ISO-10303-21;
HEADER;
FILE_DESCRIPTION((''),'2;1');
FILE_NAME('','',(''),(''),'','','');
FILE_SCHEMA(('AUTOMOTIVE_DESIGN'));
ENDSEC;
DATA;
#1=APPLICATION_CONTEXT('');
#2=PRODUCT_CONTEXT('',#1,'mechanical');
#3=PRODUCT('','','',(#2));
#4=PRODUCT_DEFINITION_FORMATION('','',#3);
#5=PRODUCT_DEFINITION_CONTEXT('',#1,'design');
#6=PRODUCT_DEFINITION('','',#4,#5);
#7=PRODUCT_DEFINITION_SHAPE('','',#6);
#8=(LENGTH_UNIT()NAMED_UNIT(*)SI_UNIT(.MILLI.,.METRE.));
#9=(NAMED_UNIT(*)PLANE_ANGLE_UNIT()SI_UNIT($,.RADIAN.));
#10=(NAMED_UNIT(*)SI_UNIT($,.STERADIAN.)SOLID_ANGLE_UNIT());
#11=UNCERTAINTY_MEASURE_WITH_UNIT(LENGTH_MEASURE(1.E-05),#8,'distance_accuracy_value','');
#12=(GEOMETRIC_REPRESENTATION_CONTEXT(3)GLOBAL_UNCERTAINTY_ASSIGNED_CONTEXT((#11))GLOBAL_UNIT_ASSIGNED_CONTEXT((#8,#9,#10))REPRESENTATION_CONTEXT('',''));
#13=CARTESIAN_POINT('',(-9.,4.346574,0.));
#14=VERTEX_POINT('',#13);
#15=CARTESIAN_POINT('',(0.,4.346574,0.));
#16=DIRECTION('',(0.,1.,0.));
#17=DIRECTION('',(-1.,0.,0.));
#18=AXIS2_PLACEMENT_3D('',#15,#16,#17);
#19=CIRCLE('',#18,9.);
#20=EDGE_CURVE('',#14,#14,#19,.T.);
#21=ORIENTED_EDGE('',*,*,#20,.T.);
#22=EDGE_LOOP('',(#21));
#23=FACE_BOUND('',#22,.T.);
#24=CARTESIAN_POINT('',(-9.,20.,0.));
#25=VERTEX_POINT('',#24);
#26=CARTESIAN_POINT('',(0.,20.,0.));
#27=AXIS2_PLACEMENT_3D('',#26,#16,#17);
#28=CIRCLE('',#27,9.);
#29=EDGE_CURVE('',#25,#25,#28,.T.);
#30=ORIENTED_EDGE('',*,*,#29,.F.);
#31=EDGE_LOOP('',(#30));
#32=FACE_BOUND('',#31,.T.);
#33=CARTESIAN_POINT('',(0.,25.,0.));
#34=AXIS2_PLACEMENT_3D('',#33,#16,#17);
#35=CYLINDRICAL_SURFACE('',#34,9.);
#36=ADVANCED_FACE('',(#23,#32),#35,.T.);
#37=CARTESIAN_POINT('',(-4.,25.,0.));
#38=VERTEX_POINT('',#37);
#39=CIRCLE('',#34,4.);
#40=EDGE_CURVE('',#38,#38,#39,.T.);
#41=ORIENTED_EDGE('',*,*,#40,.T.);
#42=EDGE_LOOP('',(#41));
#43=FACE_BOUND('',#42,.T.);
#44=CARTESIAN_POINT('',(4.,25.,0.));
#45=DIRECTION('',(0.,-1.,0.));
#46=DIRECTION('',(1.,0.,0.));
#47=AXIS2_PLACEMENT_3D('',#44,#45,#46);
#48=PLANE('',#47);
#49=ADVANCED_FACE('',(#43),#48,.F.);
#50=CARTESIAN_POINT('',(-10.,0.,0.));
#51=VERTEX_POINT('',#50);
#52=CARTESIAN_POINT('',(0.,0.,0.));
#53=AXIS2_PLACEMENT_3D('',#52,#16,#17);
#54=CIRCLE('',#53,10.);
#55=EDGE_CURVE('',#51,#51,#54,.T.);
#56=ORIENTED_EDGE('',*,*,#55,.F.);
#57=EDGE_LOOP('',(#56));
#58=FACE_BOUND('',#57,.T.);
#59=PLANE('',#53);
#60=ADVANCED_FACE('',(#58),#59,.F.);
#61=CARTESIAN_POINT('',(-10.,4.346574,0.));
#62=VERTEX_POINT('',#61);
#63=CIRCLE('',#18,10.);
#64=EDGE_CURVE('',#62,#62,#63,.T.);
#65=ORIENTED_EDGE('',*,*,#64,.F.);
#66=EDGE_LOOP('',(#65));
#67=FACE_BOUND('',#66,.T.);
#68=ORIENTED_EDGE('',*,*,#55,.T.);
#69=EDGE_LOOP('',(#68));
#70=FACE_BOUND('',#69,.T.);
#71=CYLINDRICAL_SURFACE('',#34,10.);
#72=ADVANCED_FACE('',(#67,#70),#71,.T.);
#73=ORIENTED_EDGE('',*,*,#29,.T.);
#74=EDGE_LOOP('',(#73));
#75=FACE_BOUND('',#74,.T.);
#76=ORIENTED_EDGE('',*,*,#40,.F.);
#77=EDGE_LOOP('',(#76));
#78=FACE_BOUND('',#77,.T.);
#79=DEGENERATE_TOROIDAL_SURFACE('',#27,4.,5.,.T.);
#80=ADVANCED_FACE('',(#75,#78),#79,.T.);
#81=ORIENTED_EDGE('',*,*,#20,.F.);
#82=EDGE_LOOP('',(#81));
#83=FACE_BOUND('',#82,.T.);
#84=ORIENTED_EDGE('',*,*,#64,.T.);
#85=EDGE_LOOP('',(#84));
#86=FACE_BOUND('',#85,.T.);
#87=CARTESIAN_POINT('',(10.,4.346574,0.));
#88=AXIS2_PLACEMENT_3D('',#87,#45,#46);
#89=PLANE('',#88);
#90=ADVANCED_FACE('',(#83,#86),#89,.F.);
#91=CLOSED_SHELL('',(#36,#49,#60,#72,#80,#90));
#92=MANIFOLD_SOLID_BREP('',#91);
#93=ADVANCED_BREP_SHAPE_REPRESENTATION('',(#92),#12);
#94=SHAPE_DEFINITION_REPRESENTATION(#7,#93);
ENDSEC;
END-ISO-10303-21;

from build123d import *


with BuildPart() as part:
    # Çizim1 → Döndür2 (revolve)
    with BuildSketch(Plane.XY, mode=Mode.PRIVATE) as d_nd_r2_sk:
        with BuildLine():
            Line((0, 0), (10, 0))
            Line((10, 0), (10, 4.346574423))
            Line((10, 4.346574423), (9, 4.346574423))
            Line((9, 4.346574423), (9, 20))
            ThreePointArc((9, 20), (7.535533906, 23.535533906), (4, 25))
            Line((4, 25), (0, 25))
            Line((0, 25), (0, 0))
        make_face()
    revolve(d_nd_r2_sk.sketch.rotate(Axis((0, 25, 0), (0, -1, 0)), 180), axis=Axis((0, 25, 0), (0, -1, 0)))


solid = part.part
